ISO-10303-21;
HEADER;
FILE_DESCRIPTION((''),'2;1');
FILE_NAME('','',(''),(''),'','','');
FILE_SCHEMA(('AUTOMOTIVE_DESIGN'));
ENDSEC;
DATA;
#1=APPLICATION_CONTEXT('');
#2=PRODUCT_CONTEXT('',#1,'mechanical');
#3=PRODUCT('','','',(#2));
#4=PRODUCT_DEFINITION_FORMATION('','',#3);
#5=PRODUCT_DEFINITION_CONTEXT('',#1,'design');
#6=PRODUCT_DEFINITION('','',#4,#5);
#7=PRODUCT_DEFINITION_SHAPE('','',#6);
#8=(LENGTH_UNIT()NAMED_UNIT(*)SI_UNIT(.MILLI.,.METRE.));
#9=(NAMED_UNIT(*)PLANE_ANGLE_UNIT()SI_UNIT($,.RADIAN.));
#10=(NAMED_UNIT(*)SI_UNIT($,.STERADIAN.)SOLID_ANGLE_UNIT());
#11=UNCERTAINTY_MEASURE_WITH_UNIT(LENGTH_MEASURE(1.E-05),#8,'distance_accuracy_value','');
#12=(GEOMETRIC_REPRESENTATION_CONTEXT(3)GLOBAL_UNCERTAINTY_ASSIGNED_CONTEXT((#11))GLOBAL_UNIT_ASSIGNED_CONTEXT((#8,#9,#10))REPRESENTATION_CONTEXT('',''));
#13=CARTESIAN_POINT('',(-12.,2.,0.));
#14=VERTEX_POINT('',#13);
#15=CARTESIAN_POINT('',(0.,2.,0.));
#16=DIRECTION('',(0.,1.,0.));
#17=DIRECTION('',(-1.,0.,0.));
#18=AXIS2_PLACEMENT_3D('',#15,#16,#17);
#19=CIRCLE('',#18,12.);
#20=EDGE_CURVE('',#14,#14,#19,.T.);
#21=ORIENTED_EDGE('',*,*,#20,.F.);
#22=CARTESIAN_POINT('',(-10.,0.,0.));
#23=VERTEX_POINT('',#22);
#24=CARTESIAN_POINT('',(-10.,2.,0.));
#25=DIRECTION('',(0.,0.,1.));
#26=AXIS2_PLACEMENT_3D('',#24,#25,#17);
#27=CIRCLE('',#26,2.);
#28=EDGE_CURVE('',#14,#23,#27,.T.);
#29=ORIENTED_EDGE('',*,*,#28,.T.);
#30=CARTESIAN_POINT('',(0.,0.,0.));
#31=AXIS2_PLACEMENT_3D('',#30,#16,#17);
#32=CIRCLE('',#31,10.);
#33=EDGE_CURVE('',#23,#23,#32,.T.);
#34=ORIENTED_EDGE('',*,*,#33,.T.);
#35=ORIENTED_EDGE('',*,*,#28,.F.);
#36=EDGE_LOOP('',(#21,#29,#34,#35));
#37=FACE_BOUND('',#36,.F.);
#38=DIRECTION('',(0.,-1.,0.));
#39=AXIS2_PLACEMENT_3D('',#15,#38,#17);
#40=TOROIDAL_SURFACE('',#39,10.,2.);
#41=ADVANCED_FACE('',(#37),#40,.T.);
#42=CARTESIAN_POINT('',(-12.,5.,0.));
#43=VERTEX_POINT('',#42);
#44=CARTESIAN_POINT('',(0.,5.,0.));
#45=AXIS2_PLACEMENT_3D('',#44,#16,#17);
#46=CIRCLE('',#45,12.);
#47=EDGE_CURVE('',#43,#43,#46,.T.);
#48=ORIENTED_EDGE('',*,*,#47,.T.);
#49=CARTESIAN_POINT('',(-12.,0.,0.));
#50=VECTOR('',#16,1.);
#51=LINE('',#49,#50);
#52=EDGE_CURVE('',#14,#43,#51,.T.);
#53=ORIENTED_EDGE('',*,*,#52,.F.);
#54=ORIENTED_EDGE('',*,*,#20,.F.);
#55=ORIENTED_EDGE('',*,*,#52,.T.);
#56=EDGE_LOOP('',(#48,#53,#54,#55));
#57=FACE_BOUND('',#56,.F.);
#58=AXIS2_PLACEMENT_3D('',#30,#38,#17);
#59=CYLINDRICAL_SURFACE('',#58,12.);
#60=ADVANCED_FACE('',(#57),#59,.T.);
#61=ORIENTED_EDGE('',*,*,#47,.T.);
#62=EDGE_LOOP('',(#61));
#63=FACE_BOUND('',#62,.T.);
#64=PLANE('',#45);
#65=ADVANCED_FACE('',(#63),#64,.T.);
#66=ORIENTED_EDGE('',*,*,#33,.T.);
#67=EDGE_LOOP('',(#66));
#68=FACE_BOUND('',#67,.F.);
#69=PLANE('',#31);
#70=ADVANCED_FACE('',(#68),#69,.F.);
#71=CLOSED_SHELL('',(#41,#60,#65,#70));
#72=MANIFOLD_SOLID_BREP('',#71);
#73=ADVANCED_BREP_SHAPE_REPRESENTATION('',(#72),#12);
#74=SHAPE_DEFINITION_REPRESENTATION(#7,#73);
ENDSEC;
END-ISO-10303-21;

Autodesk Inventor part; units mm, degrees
ref_plane "YZ Plane" through (0, 0, 0) normal (1, 0, 0) x (0, 1, 0)
ref_plane "XZ Plane" through (0, 0, 0) normal (0, 1, 0) x (-1, 0, 0)
ref_plane "XY Plane" through (0, 0, 0) normal (0, 0, 1) x (1, 0, 0)
sketch "Esquisse1" plane through (0, 0, 0) normal (0, 1, 0) x (-1, 0, 0)
  circle A0 centre (0, 0) radius 12
  dimension "d0" = 24
extrude "Extrusion1" add sketch "Esquisse1" along normal blind 5
fillet "Congé1" radius 2 1 edges at (12, 0, 0)
properties part number "patin-teflon-24x5"
